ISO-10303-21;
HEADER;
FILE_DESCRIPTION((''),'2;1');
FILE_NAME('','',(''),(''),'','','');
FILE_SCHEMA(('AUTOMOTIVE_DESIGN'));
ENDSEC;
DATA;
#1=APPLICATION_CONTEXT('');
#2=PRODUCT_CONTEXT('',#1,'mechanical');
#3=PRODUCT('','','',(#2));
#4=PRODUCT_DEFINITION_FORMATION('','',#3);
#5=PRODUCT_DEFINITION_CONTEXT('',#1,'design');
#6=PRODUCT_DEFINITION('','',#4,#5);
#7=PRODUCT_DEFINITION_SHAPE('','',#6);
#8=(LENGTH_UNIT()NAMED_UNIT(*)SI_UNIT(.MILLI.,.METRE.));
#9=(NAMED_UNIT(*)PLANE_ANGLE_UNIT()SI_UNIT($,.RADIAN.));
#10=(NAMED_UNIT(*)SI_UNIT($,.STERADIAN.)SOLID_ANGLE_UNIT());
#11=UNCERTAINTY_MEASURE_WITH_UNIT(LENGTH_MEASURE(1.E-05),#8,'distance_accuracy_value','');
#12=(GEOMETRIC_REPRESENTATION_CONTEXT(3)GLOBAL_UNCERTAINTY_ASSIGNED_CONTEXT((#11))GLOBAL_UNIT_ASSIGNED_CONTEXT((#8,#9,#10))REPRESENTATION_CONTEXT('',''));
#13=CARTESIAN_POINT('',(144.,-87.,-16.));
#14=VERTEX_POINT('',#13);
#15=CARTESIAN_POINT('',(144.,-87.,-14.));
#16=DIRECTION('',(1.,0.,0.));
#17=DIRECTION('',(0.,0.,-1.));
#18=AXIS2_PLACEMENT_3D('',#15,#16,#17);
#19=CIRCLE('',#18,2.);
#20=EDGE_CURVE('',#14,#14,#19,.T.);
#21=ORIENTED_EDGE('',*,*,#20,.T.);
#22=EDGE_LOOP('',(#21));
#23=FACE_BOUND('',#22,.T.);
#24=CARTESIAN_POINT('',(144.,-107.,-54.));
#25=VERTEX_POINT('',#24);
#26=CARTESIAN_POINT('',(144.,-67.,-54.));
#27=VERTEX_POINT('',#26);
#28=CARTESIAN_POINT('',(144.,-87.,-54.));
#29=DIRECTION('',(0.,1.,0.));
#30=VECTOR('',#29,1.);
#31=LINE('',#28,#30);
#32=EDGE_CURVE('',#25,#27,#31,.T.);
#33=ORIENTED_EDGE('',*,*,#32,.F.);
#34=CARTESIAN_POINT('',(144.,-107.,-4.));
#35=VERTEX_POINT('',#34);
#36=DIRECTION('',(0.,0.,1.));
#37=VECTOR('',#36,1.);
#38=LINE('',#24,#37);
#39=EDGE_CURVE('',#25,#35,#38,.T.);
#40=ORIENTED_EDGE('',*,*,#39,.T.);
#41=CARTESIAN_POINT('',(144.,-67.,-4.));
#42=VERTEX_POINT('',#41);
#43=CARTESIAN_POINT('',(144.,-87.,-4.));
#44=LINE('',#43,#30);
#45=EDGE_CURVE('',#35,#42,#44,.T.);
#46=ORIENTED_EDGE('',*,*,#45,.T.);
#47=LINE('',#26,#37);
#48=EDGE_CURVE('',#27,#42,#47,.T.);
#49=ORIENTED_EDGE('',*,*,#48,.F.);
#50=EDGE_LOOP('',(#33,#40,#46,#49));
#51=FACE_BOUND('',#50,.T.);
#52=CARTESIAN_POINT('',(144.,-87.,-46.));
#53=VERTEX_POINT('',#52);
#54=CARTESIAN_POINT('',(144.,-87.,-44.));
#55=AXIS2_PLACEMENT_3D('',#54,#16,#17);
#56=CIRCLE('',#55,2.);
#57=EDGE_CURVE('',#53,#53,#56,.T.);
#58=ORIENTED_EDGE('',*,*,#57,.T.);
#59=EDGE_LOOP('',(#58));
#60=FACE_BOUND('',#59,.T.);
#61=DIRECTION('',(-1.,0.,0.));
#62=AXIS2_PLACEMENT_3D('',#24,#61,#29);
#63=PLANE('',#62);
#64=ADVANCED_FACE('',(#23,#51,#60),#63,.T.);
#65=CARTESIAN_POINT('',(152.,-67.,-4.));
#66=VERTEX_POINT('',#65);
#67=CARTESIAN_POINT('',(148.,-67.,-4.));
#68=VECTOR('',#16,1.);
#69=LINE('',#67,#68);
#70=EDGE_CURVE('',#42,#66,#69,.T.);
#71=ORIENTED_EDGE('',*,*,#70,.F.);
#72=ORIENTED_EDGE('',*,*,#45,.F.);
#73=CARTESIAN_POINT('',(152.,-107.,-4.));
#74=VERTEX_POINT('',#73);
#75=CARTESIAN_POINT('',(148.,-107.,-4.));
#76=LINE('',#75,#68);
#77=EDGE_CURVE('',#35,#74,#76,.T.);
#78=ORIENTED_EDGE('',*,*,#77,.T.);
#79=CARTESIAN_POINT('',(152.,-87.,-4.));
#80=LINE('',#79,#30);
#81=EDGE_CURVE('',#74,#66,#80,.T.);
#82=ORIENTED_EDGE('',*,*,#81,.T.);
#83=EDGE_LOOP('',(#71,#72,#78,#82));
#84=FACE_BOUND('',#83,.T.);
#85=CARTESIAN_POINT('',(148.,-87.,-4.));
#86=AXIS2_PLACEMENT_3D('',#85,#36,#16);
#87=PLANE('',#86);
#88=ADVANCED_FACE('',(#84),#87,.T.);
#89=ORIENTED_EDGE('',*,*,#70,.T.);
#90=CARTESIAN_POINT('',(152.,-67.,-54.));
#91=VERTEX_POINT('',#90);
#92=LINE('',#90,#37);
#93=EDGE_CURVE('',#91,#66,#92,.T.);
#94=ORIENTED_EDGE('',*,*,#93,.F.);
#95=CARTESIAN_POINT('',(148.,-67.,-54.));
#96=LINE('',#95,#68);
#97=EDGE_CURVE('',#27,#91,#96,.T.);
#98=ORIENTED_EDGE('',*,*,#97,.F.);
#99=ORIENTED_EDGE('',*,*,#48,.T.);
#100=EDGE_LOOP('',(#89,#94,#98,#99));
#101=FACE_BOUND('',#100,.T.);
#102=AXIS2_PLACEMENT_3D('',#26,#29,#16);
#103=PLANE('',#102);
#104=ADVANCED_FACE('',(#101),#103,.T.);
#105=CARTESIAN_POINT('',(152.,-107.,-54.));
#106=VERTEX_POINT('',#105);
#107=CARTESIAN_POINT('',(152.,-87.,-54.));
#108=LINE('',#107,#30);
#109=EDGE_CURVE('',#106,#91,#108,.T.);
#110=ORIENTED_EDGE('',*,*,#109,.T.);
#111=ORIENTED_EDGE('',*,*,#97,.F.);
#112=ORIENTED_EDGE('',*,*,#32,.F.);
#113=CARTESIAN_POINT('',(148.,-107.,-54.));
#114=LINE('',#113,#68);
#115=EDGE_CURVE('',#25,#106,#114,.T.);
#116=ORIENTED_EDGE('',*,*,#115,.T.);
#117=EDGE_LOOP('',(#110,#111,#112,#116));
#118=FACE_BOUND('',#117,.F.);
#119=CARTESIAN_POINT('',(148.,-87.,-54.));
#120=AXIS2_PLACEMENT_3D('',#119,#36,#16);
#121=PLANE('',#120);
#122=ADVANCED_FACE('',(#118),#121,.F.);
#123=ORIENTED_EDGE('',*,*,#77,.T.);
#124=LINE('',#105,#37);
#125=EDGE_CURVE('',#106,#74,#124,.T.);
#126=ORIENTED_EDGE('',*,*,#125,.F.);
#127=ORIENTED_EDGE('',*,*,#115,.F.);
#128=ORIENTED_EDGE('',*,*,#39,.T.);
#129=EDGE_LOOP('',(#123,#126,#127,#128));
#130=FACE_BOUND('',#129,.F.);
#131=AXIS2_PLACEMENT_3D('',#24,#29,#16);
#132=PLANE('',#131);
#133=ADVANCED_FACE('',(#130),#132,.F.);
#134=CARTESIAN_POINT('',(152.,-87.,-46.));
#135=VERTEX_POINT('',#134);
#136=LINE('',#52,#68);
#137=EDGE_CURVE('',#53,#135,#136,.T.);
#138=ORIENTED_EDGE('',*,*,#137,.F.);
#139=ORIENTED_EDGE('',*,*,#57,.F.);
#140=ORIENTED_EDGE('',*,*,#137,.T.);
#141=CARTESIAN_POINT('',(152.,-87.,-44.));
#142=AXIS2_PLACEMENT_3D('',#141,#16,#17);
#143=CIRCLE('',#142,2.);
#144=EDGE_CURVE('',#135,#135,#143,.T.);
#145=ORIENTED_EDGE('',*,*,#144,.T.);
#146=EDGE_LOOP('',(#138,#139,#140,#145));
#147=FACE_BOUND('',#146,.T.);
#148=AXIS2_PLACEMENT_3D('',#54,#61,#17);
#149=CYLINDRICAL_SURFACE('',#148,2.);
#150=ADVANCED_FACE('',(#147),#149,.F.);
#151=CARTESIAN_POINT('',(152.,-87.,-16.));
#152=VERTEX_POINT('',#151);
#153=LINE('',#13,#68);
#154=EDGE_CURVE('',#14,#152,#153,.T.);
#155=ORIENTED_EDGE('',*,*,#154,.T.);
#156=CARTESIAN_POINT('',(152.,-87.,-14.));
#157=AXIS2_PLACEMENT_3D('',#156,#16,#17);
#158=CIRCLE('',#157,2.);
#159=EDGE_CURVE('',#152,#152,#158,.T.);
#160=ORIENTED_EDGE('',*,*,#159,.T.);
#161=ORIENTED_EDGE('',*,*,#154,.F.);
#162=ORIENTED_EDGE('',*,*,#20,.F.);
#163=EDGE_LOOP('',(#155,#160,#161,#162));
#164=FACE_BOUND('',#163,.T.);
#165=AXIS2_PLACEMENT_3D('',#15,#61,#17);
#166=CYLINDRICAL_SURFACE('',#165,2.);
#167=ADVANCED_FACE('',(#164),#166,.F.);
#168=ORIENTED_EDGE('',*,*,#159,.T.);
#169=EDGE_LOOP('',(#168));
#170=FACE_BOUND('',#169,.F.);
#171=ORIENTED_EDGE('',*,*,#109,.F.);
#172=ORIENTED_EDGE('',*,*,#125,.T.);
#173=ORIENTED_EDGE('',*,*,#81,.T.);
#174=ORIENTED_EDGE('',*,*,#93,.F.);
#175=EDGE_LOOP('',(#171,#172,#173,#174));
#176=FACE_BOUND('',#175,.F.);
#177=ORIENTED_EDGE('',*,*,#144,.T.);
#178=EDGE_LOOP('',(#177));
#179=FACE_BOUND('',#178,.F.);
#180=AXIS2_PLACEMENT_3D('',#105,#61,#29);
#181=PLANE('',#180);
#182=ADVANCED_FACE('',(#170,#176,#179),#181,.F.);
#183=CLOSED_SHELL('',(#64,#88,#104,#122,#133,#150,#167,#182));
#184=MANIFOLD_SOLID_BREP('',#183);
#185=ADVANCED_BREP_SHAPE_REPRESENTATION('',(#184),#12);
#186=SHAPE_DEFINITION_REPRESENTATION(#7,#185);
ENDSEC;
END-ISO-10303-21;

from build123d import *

# Parameters (mm, degrees)
CYLINDER029_R           = 2
CYLINDER029_DEPTH       = 8
CYLINDER029_PITCH_ANGLE = 90
ARRAY027_Z_COUNT        = 2
ARRAY027_Z_PITCH        = 30
BOX017_W                = 8
BOX017_H                = 40
BOX017_DEPTH            = 50


with BuildPart() as array027:
    # Cylinder029 → Cylinder029 (new body)
    with BuildSketch(Plane.XY):
        Circle(CYLINDER029_R)
    extrude(amount=CYLINDER029_DEPTH)


with BuildPart() as array027_1:
    # Cylinder029 pitch: moved
    add(array027.part.rotate(Axis((0, 0, 0), (0, 1, 0)), CYLINDER029_PITCH_ANGLE))


with BuildPart() as array027_2:
    # Cylinder029 placement: moved
    add(array027_1.part.moved(Location((144, -87, -14))))

    # Array027 Z: Array027 ×2


with BuildPart() as array027_3:
    add(array027_2.part)
    with Locations(*[(0, 0, -i * ARRAY027_Z_PITCH) for i in range(1, ARRAY027_Z_COUNT)]):
        add(array027_2.part)


with BuildPart() as case_2_con005:
    # Box017 → Box017 (new body)
    with BuildSketch(Plane(origin=(144, -107, -54), x_dir=(1, 0, 0), z_dir=(0, 0, 1))):
        with Locations((4, 20)):
            Rectangle(BOX017_W, BOX017_H)
    extrude(amount=BOX017_DEPTH)

    # Cut028: cut Array027
    add(array027_3.part, mode=Mode.SUBTRACT)


solid = case_2_con005.part
